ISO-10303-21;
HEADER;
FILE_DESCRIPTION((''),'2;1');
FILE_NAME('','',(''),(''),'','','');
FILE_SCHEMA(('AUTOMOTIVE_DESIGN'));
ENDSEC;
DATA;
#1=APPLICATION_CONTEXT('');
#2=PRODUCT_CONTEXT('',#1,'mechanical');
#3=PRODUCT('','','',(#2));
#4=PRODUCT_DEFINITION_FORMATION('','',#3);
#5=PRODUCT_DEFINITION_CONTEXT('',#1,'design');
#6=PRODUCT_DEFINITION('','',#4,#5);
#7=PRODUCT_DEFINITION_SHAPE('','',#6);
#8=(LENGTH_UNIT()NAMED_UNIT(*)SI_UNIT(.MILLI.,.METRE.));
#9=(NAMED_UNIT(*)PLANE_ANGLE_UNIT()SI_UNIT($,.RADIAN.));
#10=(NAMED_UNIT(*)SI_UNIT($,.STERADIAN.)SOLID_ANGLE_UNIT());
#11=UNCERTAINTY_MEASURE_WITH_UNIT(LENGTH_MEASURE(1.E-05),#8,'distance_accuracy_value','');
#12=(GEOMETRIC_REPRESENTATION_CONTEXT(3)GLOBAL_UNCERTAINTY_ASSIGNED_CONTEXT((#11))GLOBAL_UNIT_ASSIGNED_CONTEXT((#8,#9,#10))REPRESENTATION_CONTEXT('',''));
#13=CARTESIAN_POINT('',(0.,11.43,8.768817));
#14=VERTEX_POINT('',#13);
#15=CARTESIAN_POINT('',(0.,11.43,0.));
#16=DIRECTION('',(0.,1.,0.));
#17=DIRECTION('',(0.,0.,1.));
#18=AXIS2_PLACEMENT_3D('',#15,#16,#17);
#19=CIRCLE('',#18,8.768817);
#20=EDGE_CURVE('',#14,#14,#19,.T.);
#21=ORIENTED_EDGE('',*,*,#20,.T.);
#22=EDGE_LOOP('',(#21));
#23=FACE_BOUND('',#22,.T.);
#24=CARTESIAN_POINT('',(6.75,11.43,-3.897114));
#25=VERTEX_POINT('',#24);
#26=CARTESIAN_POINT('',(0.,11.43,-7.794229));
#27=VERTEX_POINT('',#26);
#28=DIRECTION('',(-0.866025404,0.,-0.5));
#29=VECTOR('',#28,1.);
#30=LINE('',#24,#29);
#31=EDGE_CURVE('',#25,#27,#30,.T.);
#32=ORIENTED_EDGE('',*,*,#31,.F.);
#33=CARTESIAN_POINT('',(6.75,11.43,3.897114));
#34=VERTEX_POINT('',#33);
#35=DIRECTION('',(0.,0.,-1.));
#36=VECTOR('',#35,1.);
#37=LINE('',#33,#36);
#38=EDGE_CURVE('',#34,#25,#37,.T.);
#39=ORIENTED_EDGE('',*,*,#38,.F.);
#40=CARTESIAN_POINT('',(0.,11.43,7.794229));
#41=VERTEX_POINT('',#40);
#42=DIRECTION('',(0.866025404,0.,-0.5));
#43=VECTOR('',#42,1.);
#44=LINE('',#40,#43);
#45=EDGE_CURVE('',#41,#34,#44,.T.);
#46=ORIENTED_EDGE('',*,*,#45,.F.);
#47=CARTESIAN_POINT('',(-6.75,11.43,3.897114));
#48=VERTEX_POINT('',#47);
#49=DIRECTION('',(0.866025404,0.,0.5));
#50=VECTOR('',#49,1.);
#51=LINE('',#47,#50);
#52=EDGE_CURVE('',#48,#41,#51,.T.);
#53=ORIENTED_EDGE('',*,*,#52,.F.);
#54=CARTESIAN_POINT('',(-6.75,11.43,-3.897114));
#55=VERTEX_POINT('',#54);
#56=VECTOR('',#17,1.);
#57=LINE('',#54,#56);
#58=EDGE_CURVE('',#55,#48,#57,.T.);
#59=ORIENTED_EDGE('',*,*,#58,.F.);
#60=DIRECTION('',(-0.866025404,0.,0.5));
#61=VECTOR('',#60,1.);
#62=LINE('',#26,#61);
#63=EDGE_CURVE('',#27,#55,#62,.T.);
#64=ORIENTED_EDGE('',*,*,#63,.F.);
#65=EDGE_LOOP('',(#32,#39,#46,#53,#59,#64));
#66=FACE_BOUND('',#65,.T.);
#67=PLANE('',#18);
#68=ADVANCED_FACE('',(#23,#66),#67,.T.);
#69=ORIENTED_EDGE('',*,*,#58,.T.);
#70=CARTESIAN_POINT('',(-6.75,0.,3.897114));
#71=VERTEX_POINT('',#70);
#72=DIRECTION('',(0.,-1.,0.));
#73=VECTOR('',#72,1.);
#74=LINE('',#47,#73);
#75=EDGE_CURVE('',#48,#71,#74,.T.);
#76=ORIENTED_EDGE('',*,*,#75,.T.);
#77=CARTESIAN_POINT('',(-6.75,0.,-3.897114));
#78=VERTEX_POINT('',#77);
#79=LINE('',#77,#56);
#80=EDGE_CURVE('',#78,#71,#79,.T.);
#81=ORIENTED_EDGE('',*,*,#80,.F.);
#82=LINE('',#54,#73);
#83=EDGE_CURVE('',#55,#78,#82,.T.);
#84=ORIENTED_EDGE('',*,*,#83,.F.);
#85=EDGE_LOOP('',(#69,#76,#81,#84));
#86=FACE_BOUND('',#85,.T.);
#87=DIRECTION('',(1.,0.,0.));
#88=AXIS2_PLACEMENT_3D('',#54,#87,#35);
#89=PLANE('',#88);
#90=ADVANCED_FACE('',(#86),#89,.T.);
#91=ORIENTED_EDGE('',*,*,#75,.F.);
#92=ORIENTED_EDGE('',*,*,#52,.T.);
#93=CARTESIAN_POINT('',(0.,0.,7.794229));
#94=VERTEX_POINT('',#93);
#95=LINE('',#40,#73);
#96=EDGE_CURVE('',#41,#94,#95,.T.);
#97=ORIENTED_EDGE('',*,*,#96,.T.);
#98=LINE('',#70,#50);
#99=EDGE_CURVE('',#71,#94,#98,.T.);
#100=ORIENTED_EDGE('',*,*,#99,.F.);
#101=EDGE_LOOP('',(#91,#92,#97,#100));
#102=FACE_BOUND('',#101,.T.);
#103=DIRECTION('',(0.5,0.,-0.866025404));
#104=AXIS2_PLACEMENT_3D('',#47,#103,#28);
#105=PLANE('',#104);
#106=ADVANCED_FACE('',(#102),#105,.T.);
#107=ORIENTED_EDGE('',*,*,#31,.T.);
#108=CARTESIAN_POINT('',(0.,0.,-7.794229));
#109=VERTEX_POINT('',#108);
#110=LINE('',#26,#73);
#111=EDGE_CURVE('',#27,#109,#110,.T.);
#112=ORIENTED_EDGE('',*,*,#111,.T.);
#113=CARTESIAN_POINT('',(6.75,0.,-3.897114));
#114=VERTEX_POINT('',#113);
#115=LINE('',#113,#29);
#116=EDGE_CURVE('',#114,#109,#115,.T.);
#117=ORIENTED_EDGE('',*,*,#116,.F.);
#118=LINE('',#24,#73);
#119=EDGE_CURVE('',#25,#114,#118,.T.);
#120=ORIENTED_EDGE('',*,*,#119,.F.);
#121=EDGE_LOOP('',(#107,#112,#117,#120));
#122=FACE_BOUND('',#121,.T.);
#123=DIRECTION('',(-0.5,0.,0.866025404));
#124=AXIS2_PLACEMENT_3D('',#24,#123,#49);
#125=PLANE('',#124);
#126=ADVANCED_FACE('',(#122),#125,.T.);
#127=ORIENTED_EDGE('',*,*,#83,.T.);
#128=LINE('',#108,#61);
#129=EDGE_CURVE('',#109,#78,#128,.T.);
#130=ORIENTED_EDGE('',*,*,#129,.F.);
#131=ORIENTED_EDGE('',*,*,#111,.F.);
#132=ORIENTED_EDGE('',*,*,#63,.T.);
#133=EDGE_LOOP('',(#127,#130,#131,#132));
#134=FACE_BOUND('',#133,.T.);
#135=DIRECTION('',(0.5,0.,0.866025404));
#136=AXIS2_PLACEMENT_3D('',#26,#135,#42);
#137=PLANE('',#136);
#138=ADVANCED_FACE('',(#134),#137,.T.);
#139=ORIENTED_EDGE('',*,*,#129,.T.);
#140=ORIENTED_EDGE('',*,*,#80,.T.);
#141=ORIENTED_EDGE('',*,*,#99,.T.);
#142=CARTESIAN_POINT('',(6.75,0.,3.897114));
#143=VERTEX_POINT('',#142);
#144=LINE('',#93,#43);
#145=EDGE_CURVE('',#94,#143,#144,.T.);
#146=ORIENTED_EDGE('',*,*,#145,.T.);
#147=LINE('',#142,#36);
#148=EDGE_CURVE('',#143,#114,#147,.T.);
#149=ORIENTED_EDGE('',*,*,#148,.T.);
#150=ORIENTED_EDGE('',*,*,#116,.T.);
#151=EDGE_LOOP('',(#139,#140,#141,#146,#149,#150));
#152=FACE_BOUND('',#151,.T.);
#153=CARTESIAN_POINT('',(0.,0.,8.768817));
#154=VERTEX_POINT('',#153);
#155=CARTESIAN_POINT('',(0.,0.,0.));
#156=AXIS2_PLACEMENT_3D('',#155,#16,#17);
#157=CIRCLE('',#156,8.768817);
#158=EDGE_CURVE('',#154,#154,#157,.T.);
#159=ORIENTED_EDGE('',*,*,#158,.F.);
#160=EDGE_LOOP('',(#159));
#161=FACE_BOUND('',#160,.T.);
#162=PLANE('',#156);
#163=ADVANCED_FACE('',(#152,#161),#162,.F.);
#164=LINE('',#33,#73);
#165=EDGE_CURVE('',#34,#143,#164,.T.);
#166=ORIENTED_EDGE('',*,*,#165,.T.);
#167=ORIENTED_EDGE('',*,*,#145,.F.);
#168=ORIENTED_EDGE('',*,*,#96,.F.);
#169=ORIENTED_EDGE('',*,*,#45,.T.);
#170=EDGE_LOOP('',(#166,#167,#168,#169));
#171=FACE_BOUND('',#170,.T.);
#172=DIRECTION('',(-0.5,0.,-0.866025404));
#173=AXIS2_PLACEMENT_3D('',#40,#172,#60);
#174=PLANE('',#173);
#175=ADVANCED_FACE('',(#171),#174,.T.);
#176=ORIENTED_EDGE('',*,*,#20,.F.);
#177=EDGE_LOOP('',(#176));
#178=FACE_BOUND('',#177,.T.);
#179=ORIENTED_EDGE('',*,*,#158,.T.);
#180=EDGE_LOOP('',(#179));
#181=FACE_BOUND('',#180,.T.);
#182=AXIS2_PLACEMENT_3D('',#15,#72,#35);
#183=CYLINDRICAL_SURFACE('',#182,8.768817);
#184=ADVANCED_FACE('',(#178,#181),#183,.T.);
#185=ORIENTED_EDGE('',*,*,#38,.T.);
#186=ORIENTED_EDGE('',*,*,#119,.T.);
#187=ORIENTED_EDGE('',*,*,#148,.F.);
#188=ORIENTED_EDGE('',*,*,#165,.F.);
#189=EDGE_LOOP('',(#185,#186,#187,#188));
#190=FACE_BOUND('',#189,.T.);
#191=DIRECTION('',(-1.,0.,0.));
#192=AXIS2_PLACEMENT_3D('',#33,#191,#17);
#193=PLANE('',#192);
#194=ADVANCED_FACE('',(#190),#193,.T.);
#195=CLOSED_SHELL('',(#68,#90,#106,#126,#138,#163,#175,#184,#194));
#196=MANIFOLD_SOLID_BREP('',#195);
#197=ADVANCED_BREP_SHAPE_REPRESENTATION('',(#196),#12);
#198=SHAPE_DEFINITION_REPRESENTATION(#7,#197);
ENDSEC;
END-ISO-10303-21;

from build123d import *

# Parameters (mm, degrees)
SKETCH1_R           = 8.768816794
BOSS_EXTRUDE1_DEPTH = 11.43


with BuildPart() as part:
    # Sketch1 → Boss-Extrude1 (new body)
    with BuildSketch(Plane(origin=(0, 0, 0), x_dir=(1, 0, 0), z_dir=(0, 1, 0))):
        with Locations(Location((0, 0, 0), (0, 0, 270))):
            Circle(SKETCH1_R)
        Polygon((0, 7.794228634), (-6.75, 3.897114317), (-6.75, -3.897114317), (0, -7.794228634), (6.75, -3.897114317), (6.75, 3.897114317), align=None, mode=Mode.SUBTRACT)
    extrude(amount=BOSS_EXTRUDE1_DEPTH)


solid = part.part
